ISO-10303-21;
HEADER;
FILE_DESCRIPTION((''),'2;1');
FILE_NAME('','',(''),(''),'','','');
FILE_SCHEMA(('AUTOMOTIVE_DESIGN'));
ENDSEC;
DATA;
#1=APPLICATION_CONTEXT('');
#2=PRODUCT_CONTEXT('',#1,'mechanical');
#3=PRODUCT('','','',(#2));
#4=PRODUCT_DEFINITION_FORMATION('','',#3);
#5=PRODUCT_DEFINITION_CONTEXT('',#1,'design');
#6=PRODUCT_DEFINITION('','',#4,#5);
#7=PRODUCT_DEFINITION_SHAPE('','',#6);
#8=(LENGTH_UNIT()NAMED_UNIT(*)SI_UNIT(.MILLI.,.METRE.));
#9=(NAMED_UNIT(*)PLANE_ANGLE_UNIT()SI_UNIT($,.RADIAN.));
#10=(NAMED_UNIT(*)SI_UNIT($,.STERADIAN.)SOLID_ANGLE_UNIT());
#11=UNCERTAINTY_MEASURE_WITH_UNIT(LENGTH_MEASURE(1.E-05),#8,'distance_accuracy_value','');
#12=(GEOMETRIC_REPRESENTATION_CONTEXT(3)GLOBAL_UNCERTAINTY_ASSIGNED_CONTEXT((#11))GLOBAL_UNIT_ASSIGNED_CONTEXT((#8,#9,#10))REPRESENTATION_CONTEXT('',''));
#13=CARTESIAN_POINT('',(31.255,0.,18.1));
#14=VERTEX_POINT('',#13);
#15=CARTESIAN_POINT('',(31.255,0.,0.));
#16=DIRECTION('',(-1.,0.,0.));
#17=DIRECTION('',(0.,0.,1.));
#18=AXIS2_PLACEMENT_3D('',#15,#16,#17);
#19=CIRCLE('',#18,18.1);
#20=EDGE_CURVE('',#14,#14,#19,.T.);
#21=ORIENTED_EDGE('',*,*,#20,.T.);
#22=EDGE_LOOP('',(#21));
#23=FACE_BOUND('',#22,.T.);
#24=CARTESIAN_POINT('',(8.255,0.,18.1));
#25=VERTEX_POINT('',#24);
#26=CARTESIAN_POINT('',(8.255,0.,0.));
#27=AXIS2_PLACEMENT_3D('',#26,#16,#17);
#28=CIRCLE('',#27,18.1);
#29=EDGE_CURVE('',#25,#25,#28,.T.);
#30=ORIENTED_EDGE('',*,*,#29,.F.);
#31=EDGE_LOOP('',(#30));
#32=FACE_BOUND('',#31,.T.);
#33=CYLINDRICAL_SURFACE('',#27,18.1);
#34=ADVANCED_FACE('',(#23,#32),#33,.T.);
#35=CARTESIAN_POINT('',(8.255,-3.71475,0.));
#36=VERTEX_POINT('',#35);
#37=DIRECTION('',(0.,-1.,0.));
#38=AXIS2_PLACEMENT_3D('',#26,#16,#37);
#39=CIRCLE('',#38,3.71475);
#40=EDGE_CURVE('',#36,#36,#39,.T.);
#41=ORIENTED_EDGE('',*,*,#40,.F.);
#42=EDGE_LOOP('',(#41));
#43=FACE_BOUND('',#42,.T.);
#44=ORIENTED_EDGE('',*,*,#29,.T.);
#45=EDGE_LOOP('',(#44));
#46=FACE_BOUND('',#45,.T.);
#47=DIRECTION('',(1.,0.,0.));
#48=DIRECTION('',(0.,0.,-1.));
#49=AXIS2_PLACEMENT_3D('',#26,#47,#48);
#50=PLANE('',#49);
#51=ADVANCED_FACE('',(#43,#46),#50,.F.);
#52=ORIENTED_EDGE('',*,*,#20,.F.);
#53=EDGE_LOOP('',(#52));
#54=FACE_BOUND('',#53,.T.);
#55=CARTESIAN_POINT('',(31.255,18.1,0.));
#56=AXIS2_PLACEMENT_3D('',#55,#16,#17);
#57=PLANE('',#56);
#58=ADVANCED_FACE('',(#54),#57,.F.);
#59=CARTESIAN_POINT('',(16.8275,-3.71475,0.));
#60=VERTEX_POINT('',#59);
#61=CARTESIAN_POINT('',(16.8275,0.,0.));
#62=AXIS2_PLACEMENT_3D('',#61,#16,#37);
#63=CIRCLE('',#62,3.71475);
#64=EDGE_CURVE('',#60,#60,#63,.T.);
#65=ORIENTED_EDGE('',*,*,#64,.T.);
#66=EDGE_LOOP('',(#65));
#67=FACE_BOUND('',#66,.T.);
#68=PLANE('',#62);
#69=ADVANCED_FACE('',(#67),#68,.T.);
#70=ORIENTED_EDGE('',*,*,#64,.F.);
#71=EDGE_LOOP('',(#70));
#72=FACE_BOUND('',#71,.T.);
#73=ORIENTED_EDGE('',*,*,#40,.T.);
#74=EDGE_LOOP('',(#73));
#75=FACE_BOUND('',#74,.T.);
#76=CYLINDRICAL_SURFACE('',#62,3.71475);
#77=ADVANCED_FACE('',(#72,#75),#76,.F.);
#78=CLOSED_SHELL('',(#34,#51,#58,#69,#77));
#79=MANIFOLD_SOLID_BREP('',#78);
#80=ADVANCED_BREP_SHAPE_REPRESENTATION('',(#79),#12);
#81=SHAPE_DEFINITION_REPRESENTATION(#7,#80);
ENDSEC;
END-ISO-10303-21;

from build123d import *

# Parameters (mm, degrees)
SKETCH1_W          = 23
SKETCH1_H          = 18.1
SKETCH2_R          = 3.71475
CUT_EXTRUDE1_DEPTH = 8.5725


with BuildPart() as part:
    # Sketch1 → Revolve1 (revolve)
    with BuildSketch(Plane.XY):
        with Locations((19.755, 9.05)):
            Rectangle(SKETCH1_W, SKETCH1_H)
    revolve(axis=Axis((8.255, 0, 0), (1, 0, 0)))

    # Sketch2 → Cut-Extrude1 (cut)
    with BuildSketch(Plane.ZY.offset(-8.255)):
        Circle(SKETCH2_R)
    extrude(amount=-CUT_EXTRUDE1_DEPTH, mode=Mode.SUBTRACT)


solid = part.part
